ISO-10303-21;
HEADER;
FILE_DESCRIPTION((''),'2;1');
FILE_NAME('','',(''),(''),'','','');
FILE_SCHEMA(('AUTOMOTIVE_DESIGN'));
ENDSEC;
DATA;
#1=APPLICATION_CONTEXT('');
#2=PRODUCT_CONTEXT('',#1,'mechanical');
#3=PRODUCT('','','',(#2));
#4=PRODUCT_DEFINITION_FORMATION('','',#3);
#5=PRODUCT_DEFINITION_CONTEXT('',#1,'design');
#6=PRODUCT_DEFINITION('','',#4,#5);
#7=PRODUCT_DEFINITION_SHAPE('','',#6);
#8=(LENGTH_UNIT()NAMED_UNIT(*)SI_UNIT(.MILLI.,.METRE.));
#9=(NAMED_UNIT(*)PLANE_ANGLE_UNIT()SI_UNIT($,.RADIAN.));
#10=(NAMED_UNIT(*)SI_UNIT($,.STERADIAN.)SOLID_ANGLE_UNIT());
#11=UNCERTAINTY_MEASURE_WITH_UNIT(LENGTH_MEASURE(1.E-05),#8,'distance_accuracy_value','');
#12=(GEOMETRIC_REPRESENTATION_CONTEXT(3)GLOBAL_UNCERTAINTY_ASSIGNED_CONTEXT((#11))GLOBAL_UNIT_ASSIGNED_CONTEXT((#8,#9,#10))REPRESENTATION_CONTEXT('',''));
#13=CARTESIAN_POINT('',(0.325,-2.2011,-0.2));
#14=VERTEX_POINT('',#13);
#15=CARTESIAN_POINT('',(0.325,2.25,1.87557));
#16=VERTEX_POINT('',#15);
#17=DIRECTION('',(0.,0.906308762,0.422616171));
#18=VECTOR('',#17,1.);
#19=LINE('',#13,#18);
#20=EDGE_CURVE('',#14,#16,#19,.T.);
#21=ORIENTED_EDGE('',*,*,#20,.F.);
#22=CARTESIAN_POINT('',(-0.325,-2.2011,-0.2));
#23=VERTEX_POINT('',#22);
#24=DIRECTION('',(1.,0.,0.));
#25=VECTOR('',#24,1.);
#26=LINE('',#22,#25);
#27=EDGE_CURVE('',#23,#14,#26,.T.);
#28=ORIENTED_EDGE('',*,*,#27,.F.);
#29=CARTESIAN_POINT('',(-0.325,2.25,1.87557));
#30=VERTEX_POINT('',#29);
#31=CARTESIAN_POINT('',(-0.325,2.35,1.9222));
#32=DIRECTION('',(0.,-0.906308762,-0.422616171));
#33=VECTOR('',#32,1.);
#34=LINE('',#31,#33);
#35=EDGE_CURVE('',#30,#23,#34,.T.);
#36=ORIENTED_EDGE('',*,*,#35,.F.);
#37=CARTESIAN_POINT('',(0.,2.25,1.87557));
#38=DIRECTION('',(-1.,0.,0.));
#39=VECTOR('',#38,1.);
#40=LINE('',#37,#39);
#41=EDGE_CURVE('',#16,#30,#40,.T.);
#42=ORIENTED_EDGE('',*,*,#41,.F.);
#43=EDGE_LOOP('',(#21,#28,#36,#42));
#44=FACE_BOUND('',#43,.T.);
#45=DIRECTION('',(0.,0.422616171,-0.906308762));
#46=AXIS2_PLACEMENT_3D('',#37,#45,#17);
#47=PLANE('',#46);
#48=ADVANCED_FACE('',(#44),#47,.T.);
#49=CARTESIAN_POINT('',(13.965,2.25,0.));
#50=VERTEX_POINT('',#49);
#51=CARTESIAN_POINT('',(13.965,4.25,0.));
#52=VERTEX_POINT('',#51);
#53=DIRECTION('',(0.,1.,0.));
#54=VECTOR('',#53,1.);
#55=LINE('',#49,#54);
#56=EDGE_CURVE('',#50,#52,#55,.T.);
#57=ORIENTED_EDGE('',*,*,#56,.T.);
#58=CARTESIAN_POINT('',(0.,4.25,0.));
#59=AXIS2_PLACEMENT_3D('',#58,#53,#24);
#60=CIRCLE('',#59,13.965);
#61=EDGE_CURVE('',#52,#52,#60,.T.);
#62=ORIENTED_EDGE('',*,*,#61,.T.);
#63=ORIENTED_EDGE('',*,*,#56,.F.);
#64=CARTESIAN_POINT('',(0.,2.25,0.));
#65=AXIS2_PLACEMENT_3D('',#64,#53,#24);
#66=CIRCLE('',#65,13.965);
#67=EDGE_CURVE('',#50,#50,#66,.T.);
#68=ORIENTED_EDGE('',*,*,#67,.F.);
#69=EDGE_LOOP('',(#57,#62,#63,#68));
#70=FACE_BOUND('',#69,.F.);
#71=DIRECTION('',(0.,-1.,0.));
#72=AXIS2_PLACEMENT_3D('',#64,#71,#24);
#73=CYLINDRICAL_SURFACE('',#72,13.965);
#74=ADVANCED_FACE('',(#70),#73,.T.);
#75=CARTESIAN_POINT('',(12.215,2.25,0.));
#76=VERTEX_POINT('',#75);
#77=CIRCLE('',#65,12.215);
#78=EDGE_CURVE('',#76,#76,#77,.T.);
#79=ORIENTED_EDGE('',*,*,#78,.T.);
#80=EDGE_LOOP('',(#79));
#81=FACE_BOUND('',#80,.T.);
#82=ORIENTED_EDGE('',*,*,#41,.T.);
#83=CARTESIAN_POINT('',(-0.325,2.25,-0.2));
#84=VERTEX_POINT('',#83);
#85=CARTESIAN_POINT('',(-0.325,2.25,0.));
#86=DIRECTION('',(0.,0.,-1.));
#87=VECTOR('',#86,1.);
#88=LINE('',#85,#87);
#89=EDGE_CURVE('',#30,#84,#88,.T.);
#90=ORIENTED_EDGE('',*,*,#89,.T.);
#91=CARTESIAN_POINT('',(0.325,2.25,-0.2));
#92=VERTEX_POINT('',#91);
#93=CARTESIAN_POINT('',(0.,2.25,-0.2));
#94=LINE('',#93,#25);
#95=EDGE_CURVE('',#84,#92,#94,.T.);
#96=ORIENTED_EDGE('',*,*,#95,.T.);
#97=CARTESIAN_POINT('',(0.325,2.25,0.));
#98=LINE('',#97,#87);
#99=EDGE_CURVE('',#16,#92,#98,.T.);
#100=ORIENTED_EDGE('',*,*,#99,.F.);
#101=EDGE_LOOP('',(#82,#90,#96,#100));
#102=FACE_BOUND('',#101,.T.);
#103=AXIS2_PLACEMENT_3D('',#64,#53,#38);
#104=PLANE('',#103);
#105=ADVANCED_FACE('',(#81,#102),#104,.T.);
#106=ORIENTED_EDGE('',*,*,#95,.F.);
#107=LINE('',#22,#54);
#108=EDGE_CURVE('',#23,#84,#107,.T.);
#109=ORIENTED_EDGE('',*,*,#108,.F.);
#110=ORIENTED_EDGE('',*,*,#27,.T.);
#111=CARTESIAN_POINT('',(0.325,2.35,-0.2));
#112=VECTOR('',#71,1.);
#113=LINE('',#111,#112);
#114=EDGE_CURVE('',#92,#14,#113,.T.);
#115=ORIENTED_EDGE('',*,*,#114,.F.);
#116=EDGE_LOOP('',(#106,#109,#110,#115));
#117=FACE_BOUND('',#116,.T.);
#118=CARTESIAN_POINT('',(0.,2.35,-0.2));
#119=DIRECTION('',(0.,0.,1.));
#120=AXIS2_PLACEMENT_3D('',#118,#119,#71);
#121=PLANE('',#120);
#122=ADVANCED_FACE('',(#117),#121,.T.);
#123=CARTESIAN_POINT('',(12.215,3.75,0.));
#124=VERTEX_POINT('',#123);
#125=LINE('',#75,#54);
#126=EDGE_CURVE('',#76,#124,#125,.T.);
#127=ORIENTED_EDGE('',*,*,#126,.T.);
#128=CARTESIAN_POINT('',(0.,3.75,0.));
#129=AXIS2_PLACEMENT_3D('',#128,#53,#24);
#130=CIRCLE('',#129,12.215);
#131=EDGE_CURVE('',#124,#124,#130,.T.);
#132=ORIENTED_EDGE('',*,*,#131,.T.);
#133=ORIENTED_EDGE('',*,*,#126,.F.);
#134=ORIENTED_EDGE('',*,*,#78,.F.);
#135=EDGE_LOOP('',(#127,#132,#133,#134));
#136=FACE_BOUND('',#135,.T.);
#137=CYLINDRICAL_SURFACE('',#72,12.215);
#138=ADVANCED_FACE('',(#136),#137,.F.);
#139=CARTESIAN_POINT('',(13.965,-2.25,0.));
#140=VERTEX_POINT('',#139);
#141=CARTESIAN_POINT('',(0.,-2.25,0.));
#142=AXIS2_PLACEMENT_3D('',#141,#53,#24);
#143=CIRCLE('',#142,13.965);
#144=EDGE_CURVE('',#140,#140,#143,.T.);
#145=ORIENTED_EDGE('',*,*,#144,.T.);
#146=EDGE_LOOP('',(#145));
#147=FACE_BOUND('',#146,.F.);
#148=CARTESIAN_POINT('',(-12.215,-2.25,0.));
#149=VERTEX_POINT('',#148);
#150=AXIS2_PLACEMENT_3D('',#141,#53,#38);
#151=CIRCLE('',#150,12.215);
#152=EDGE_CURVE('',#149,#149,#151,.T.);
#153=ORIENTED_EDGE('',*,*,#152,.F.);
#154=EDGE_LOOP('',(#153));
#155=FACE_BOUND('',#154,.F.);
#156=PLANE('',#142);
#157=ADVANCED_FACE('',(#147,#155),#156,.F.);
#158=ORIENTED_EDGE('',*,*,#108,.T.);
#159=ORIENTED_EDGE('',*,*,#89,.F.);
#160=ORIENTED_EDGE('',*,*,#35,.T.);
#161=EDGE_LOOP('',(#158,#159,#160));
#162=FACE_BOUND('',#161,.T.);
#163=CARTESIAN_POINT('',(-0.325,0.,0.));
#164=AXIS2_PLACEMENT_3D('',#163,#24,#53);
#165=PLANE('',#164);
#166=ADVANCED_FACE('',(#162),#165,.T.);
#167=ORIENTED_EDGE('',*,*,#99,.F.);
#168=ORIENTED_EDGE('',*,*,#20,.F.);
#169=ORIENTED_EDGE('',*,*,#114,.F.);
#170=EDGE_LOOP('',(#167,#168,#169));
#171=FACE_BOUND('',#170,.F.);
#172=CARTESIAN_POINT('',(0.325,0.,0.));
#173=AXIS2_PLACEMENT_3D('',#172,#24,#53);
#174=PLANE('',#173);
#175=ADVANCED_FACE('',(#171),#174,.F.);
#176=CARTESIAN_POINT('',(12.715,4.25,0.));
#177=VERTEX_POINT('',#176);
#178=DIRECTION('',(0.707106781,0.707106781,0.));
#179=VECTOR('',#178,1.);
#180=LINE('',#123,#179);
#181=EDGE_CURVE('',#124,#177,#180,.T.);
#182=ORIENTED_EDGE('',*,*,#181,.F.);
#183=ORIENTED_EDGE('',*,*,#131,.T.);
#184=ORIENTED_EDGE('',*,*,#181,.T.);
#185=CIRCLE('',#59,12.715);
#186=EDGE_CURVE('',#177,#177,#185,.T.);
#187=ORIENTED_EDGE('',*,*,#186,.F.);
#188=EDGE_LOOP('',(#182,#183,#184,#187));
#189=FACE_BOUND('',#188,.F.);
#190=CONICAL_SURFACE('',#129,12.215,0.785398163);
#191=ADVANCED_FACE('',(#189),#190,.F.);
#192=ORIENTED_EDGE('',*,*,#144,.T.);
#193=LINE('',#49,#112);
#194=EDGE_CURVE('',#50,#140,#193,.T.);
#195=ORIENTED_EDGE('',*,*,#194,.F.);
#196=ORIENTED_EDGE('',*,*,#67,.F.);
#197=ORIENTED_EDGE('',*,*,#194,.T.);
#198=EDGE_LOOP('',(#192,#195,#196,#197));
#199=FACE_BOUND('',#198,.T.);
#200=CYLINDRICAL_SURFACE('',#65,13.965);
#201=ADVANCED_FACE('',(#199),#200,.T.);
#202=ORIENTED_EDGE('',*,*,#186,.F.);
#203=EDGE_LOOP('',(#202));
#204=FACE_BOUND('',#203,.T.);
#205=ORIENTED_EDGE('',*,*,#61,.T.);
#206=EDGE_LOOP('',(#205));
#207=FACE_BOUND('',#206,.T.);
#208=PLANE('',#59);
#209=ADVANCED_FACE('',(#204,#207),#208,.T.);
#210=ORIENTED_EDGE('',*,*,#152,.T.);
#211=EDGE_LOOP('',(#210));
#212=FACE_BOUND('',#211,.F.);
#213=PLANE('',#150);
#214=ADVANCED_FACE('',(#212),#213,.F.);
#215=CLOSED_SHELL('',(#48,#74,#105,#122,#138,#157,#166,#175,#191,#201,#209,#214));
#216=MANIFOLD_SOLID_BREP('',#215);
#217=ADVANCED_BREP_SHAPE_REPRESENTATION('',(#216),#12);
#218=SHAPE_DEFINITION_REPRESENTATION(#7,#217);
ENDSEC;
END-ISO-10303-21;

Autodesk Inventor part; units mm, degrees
ref_plane "YZ Plane" through (0, 0, 0) normal (1, 0, 0) x (0, 1, 0)
ref_plane "XZ Plane" through (0, 0, 0) normal (0, 1, 0) x (-1, 0, 0)
ref_plane "XY Plane" through (0, 0, 0) normal (0, 0, 1) x (1, 0, 0)
sketch "Sketch1" plane through (0, 0, 0) normal (0, 1, 0) x (-1, 0, 0)
  circle A0 centre (0, 0) radius 12.065 construction
  circle A1 centre (0, 0) radius 12.215
  dimension "d0" = 24.13
  dimension "d1" = 0.15
extrude "Extrusion1" add sketch "Sketch1" along normal mid plane 4.5
sketch "Sketch2" plane through (0, 0, 0) normal (1, 0, 0) x (0, 1, 0)
  line L0 (2.25, 1.7652) -> (-1.75, -0.1)
  line L1 (-1.75, -0.1) -> (2.25, -0.1)
  line L2 (2.25, -0.1) -> (2.25, 1.7652)
  line L3 (2.25, -12.215) -> (2.25, 12.215) projected
  line L4 (2.35, -0.2) -> (-2.2011, -0.2)
  line L5 (-2.2011, -0.2) -> (2.35, 1.9222)
  line L6 (2.35, 1.9222) -> (2.35, -0.2)
  point P0 (0, 0)
  dimension "d7" = 25
  dimension "d8" = 0.1
  dimension "d9" = 4
  dimension "d17" = 0.1
extrude "Extrusion2" cut sketch "Sketch2" against normal mid plane 0.65
sketch "Sketch3" plane through (0, 2.25, 0) normal (0, 1, 0) x (1, 0, 0)
  circle A0 centre (0, 0) radius 12.215 projected
  circle A1 centre (0, 0) radius 13.965
  dimension "d12" = 1.75
extrude "Extrusion3" add sketch "Sketch3" along normal blind 2 and the other way blind 4.5
chamfer "Chamfer1" distance 0.5 angle 45 1 edges at (-12.215, 4.25, 0)
properties part number "Knife_Centering_Jig_LM6013" material "ABS Plastic"
